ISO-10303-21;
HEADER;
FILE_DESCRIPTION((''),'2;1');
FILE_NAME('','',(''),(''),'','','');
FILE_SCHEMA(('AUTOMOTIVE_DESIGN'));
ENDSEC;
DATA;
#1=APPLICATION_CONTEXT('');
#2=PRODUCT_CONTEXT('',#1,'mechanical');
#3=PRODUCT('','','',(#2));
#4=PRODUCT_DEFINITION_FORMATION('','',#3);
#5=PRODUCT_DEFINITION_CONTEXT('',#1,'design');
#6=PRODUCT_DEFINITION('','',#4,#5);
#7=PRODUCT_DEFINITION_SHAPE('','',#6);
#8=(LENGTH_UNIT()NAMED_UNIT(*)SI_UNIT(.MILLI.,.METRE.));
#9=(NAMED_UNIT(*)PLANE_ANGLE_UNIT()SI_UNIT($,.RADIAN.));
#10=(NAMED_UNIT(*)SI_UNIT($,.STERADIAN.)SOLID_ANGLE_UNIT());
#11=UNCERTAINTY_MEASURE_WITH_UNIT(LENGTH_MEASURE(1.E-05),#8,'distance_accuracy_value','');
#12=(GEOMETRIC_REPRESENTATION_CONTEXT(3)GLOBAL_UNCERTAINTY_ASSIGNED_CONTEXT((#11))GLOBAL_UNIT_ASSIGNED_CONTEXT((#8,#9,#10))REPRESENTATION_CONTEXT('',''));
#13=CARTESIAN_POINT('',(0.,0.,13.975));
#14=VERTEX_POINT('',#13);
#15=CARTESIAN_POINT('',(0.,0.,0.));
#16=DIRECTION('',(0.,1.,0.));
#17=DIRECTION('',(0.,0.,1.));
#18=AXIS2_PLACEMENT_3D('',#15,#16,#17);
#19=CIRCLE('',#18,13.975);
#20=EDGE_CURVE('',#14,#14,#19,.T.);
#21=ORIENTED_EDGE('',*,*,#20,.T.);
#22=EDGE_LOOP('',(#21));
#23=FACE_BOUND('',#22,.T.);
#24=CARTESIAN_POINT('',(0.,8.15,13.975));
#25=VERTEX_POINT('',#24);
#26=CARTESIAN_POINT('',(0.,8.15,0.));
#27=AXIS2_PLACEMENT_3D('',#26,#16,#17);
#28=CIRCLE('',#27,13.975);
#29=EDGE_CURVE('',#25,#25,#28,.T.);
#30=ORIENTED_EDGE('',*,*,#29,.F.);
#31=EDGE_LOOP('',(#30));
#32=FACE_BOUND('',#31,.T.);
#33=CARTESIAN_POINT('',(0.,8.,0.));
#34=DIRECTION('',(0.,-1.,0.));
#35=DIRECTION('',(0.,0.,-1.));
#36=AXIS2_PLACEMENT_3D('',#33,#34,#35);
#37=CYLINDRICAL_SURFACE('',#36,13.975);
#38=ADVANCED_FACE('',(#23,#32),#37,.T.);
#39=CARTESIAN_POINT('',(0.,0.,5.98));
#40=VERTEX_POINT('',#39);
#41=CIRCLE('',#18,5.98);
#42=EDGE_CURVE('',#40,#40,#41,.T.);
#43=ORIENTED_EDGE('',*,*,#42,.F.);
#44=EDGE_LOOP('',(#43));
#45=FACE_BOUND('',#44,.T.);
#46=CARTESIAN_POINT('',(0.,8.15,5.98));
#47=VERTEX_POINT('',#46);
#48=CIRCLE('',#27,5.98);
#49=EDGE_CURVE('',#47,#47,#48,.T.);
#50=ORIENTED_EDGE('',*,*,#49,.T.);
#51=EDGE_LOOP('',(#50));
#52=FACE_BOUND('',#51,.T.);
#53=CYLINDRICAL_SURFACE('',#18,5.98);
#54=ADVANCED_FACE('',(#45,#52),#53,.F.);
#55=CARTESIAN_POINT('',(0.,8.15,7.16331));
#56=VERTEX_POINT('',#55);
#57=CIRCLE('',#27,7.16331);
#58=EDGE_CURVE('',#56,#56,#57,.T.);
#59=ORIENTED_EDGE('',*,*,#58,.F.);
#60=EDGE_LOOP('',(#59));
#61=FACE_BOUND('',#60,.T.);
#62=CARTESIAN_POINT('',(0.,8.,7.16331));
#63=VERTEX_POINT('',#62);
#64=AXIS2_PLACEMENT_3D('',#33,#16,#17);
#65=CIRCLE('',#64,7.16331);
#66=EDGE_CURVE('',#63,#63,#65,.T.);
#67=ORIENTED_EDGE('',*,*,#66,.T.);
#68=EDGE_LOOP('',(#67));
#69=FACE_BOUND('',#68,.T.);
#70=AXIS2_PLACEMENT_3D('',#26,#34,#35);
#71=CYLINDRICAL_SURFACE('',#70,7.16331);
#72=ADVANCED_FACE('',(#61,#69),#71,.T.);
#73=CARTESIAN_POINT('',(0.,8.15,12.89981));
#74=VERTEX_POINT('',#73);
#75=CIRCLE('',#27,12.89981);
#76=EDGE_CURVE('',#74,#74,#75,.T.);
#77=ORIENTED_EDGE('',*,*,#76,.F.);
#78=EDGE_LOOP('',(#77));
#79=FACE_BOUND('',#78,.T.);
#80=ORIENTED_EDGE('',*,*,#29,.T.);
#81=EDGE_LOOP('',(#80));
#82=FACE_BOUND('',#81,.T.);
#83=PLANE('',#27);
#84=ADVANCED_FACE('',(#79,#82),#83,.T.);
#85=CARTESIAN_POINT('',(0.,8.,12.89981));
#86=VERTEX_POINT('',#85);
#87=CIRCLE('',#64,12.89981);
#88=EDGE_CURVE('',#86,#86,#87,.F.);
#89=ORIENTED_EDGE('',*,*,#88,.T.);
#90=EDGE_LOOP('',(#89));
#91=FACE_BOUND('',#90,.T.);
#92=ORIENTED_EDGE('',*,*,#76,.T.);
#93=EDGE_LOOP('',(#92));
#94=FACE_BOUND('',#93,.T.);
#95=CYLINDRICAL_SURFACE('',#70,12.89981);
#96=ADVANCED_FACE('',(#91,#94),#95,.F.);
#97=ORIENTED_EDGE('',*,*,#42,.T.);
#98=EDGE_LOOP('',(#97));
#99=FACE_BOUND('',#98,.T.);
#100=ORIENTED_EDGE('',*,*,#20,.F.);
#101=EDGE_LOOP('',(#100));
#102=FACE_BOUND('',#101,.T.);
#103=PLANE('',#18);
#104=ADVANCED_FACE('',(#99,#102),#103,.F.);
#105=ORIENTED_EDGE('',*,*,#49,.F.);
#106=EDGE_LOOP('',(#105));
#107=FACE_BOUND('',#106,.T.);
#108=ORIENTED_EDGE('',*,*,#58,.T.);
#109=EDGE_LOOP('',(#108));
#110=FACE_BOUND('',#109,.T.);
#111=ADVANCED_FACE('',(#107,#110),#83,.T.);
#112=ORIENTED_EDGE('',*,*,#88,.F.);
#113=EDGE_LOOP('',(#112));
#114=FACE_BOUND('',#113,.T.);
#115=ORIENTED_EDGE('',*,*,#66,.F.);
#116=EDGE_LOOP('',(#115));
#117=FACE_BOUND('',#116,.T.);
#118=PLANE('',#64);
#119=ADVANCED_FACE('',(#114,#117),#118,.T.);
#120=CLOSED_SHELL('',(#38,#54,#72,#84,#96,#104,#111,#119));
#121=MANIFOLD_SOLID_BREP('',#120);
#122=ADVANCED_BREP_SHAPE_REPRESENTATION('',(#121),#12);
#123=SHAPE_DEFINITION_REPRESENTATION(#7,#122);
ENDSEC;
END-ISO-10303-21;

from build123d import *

# Parameters (mm, degrees)
CROQUIS1_R              = 13.975
SALIENTE_EXTRUIR1_DEPTH = 8
CROQUIS2_R              = 5.98
CORTAR_EXTRUIR1_DEPTH   = 8
CROQUIS3_R              = 7.163309877
CROQUIS3_R_2            = 5.98
SALIENTE_EXTRUIR3_DEPTH = 0.15
CROQUIS4_R              = 13.975
CROQUIS4_R_2            = 12.899809837
SALIENTE_EXTRUIR4_DEPTH = 8.15


with BuildPart() as part:
    # Croquis1 → Saliente-Extruir1 (new body)
    with BuildSketch(Plane(origin=(0, 0, 0), x_dir=(1, 0, 0), z_dir=(0, 1, 0))):
        Circle(CROQUIS1_R)
    extrude(amount=SALIENTE_EXTRUIR1_DEPTH)

    # Croquis2 → Cortar-Extruir1 (cut)
    with BuildSketch(Plane(origin=(0, 8, 0), x_dir=(1, 0, 0), z_dir=(0, 1, 0))):
        Circle(CROQUIS2_R)
    extrude(amount=-CORTAR_EXTRUIR1_DEPTH, mode=Mode.SUBTRACT)

    # Croquis3 → Saliente-Extruir3 (add)
    with BuildSketch(Plane(origin=(0, 8, 0), x_dir=(1, 0, 0), z_dir=(0, 1, 0))):
        Circle(CROQUIS3_R)
        Circle(CROQUIS3_R_2, mode=Mode.SUBTRACT)
    extrude(amount=SALIENTE_EXTRUIR3_DEPTH)

    # Croquis4 → Saliente-Extruir4 (add)
    with BuildSketch(Plane(origin=(0, 0, 0), x_dir=(1, 0, 0), z_dir=(0, 1, 0))):
        Circle(CROQUIS4_R)
        Circle(CROQUIS4_R_2, mode=Mode.SUBTRACT)
    extrude(amount=SALIENTE_EXTRUIR4_DEPTH)


solid = part.part
